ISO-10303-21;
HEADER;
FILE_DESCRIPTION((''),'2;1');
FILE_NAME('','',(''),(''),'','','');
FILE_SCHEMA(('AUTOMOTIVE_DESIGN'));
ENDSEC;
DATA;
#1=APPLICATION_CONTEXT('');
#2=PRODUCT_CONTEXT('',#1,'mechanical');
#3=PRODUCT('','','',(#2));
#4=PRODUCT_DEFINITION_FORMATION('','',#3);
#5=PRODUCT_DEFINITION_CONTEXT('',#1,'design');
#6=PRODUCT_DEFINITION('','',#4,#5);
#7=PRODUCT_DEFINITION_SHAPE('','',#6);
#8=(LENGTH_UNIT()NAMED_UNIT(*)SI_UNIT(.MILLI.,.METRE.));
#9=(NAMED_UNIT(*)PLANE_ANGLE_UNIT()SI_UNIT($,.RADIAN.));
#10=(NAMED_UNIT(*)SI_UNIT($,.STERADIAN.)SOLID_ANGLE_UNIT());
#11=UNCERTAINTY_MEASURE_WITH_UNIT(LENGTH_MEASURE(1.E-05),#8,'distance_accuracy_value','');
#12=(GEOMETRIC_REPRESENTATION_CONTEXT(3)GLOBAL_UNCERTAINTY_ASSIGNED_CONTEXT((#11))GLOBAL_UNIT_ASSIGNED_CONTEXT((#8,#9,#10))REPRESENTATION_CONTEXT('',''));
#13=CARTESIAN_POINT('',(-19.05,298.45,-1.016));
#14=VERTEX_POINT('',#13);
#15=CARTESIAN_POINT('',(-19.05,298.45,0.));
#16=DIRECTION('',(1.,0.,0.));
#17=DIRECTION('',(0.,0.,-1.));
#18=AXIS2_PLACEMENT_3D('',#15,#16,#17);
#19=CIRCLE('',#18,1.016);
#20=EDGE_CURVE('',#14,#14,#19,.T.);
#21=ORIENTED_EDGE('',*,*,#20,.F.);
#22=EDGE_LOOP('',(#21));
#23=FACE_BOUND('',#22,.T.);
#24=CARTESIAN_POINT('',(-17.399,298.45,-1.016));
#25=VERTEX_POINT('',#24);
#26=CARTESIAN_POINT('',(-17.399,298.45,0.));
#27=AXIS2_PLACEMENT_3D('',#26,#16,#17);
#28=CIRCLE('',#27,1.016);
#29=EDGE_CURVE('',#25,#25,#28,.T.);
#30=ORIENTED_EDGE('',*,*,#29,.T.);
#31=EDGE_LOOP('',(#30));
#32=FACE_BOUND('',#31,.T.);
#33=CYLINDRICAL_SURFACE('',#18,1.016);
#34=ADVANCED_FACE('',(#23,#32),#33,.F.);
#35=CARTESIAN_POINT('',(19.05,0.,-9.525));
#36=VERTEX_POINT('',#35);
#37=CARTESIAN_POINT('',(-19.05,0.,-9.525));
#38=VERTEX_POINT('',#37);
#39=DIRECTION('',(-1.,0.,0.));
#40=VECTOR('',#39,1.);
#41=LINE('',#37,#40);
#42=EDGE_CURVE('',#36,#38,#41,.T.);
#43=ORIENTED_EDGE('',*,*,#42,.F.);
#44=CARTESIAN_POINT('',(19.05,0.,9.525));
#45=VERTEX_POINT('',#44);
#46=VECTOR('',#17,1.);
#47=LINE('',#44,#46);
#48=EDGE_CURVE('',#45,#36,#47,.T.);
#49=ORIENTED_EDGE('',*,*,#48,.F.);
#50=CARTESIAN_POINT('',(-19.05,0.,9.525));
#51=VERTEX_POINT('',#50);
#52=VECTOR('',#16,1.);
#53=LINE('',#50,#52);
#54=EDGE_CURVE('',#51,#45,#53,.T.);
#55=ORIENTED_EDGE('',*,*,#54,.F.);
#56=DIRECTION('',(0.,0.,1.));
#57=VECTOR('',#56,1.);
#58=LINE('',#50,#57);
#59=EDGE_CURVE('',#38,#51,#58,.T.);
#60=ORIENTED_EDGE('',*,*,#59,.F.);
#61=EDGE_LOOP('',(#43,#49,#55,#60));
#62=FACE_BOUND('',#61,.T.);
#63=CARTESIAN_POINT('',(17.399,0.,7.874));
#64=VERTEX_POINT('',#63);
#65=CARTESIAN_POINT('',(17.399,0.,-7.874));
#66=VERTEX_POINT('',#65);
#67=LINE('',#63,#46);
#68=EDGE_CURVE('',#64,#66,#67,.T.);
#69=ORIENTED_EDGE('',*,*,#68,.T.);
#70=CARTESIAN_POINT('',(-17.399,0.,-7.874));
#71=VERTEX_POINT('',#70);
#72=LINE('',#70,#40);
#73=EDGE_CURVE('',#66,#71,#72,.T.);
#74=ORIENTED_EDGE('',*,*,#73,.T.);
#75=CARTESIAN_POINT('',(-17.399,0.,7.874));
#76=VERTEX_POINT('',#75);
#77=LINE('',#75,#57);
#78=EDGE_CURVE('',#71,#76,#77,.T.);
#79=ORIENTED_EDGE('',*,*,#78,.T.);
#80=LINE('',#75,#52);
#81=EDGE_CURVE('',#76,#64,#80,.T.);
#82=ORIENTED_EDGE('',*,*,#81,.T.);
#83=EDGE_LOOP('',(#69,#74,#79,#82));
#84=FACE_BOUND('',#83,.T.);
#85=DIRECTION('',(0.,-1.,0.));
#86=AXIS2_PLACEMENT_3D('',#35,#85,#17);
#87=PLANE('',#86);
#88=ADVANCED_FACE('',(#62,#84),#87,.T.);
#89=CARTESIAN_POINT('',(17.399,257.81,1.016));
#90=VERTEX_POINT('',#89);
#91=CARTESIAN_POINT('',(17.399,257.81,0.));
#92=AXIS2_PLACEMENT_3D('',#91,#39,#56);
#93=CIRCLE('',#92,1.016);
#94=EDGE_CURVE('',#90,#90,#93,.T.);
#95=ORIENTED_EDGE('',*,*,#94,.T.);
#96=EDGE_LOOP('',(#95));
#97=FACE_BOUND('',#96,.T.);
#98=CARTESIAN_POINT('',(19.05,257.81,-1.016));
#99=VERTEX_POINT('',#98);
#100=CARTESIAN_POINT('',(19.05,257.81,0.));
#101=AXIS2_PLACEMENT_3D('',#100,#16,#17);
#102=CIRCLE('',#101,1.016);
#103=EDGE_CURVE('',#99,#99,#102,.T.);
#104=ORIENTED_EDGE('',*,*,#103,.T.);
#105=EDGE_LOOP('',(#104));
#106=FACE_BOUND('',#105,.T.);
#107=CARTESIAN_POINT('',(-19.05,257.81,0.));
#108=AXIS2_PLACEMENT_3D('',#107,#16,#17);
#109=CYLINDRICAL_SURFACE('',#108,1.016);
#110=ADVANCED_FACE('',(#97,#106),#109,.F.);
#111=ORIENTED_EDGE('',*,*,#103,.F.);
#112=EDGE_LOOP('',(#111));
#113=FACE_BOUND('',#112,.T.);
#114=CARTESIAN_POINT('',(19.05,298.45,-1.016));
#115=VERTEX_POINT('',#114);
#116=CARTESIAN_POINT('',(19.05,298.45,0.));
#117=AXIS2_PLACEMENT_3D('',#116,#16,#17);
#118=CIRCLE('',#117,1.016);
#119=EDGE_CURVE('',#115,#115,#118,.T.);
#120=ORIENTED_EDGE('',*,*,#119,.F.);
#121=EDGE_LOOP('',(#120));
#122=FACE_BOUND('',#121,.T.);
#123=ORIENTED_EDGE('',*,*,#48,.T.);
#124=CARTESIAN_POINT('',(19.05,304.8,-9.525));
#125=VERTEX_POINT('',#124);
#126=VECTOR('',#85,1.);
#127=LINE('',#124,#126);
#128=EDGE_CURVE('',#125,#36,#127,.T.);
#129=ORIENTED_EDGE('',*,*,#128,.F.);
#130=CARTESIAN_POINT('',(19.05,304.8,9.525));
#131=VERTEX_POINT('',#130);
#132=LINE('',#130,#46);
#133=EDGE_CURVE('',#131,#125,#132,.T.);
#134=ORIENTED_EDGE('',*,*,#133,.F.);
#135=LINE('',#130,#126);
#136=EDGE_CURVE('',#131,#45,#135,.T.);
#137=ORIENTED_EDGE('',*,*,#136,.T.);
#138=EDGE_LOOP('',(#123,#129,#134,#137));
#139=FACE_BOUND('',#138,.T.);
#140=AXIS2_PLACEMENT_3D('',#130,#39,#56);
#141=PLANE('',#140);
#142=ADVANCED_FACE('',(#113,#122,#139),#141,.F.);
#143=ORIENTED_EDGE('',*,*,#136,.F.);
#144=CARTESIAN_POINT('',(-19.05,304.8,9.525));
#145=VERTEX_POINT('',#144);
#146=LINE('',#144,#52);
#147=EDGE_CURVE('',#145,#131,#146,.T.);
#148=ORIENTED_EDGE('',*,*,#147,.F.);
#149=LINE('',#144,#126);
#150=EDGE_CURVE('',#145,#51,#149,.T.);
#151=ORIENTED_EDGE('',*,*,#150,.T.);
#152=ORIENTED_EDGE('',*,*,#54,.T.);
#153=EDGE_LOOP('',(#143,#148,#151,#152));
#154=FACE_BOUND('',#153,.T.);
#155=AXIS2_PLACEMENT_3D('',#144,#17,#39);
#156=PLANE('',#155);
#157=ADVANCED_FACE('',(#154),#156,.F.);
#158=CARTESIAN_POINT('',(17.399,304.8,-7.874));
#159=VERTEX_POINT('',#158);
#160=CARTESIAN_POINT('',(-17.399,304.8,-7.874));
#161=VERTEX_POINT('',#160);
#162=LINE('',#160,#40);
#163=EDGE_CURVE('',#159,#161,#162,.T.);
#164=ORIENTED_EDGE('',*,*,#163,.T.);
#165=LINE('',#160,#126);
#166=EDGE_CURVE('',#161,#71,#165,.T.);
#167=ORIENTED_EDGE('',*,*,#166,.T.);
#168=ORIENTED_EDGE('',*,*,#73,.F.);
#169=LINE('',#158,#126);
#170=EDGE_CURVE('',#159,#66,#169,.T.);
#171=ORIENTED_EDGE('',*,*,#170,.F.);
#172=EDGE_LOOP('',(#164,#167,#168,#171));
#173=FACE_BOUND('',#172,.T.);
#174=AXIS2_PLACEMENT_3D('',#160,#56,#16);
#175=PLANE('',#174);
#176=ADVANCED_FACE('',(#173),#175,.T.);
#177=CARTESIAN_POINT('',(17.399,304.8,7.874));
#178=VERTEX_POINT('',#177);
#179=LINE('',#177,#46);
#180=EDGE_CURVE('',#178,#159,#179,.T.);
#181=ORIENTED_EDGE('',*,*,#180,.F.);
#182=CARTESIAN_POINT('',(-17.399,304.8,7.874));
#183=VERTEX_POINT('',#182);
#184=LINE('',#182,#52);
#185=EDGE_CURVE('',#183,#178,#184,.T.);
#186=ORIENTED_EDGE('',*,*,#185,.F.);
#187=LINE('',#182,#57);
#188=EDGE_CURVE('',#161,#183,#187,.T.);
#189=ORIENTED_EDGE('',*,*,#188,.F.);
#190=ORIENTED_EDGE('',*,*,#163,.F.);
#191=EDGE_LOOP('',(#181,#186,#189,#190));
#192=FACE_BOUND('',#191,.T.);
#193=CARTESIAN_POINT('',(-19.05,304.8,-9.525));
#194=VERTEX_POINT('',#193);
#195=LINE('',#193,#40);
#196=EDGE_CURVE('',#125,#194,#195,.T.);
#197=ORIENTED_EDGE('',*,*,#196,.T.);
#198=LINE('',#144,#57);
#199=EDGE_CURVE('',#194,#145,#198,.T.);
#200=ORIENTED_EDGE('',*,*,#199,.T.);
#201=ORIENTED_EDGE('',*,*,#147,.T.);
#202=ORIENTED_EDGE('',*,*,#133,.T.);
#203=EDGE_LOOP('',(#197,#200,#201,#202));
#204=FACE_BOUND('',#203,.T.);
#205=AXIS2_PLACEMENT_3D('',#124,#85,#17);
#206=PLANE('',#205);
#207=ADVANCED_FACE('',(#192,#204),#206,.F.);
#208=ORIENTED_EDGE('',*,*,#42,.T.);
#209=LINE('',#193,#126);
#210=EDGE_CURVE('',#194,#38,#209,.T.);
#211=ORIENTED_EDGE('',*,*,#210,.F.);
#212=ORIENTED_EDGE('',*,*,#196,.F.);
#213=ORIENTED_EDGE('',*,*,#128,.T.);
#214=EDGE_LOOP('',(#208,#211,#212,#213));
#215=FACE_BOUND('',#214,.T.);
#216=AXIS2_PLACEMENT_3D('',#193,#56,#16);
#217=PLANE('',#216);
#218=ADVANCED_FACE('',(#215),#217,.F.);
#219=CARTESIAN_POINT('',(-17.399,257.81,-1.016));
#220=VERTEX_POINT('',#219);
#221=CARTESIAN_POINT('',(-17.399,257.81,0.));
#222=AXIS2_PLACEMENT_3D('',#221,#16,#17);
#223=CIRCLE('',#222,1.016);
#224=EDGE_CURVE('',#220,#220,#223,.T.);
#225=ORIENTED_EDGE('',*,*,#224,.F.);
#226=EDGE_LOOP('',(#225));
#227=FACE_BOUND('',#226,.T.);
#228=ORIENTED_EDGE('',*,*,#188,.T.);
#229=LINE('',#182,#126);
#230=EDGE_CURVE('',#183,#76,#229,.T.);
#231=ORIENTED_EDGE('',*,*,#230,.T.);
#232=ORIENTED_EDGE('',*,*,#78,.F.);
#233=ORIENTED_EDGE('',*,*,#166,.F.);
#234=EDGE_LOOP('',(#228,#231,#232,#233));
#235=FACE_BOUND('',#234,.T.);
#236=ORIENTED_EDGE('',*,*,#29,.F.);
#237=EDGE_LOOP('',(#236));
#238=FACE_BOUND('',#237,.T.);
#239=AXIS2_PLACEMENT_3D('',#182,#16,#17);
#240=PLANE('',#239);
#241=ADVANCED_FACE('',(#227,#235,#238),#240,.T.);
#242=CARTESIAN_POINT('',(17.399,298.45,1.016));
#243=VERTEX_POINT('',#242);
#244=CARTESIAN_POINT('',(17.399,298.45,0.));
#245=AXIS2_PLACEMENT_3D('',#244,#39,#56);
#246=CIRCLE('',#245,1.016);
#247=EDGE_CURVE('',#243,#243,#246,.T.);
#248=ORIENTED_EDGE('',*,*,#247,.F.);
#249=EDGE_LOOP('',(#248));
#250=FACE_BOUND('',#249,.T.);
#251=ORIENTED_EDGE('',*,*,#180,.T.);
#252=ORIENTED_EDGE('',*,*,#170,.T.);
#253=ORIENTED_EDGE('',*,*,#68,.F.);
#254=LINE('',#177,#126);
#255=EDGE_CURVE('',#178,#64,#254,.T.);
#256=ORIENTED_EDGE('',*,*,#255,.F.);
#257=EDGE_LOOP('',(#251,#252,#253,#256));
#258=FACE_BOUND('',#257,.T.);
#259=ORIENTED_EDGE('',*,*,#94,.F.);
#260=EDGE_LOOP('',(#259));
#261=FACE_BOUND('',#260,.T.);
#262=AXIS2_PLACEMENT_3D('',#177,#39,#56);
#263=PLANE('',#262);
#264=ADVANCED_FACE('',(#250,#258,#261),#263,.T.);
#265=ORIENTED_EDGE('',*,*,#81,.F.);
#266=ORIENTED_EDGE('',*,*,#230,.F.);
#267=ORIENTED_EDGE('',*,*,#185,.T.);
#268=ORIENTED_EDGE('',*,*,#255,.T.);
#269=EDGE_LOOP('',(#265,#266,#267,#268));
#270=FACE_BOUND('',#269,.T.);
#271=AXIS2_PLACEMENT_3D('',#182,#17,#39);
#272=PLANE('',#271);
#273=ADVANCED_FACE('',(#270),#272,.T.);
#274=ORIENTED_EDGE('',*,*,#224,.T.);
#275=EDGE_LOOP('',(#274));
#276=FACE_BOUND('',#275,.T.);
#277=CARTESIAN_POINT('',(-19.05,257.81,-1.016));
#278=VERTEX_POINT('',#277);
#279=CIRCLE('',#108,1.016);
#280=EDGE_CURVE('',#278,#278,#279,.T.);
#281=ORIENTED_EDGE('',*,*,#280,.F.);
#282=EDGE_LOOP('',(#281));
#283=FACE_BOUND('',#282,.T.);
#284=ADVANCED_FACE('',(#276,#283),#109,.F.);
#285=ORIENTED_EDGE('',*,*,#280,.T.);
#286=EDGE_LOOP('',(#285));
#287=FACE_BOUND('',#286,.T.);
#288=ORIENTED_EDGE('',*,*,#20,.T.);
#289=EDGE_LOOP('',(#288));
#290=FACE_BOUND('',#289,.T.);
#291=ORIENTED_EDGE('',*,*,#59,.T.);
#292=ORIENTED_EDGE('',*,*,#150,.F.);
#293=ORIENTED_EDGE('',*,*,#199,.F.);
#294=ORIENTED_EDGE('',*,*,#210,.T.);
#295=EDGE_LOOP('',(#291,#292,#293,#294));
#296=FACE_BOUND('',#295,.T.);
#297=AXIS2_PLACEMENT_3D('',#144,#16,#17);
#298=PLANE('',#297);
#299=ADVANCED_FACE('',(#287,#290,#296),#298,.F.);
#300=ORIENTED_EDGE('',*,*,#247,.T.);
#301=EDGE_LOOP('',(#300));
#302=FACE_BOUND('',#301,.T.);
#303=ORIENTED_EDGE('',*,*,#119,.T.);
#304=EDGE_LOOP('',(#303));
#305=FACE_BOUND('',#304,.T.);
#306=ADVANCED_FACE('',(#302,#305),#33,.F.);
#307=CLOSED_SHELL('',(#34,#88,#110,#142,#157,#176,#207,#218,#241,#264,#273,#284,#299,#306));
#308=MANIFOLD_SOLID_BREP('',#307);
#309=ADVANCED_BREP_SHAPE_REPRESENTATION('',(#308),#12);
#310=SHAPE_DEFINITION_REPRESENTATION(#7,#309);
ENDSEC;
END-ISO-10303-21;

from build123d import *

# Parameters (mm, degrees)
SKETCH1_W           = 38.1
SKETCH1_H           = 19.05
SKETCH1_W_2         = 34.798
SKETCH1_H_2         = 15.748
BOSS_EXTRUDE1_DEPTH = 304.8
SKETCH2_R           = 1.016
CUT_EXTRUDE1_DEPTH  = 39.1


with BuildPart() as part:
    # Sketch1 → Boss-Extrude1 (new body)
    with BuildSketch(Plane(origin=(0, 0, 0), x_dir=(1, 0, 0), z_dir=(0, 1, 0))):
        Rectangle(SKETCH1_W, SKETCH1_H)
        Rectangle(SKETCH1_W_2, SKETCH1_H_2, mode=Mode.SUBTRACT)
    extrude(amount=BOSS_EXTRUDE1_DEPTH)

    # Sketch2 → Cut-Extrude1 (cut, through all)
    with BuildSketch(Plane(origin=(19.05, 0, 0), x_dir=(0, 0, -1), z_dir=(1, 0, 0))):
        with Locations((0, 298.45)):
            Circle(SKETCH2_R)
        with Locations((0, 257.81)):
            Circle(SKETCH2_R)
    extrude(amount=-CUT_EXTRUDE1_DEPTH, mode=Mode.SUBTRACT)


solid = part.part
